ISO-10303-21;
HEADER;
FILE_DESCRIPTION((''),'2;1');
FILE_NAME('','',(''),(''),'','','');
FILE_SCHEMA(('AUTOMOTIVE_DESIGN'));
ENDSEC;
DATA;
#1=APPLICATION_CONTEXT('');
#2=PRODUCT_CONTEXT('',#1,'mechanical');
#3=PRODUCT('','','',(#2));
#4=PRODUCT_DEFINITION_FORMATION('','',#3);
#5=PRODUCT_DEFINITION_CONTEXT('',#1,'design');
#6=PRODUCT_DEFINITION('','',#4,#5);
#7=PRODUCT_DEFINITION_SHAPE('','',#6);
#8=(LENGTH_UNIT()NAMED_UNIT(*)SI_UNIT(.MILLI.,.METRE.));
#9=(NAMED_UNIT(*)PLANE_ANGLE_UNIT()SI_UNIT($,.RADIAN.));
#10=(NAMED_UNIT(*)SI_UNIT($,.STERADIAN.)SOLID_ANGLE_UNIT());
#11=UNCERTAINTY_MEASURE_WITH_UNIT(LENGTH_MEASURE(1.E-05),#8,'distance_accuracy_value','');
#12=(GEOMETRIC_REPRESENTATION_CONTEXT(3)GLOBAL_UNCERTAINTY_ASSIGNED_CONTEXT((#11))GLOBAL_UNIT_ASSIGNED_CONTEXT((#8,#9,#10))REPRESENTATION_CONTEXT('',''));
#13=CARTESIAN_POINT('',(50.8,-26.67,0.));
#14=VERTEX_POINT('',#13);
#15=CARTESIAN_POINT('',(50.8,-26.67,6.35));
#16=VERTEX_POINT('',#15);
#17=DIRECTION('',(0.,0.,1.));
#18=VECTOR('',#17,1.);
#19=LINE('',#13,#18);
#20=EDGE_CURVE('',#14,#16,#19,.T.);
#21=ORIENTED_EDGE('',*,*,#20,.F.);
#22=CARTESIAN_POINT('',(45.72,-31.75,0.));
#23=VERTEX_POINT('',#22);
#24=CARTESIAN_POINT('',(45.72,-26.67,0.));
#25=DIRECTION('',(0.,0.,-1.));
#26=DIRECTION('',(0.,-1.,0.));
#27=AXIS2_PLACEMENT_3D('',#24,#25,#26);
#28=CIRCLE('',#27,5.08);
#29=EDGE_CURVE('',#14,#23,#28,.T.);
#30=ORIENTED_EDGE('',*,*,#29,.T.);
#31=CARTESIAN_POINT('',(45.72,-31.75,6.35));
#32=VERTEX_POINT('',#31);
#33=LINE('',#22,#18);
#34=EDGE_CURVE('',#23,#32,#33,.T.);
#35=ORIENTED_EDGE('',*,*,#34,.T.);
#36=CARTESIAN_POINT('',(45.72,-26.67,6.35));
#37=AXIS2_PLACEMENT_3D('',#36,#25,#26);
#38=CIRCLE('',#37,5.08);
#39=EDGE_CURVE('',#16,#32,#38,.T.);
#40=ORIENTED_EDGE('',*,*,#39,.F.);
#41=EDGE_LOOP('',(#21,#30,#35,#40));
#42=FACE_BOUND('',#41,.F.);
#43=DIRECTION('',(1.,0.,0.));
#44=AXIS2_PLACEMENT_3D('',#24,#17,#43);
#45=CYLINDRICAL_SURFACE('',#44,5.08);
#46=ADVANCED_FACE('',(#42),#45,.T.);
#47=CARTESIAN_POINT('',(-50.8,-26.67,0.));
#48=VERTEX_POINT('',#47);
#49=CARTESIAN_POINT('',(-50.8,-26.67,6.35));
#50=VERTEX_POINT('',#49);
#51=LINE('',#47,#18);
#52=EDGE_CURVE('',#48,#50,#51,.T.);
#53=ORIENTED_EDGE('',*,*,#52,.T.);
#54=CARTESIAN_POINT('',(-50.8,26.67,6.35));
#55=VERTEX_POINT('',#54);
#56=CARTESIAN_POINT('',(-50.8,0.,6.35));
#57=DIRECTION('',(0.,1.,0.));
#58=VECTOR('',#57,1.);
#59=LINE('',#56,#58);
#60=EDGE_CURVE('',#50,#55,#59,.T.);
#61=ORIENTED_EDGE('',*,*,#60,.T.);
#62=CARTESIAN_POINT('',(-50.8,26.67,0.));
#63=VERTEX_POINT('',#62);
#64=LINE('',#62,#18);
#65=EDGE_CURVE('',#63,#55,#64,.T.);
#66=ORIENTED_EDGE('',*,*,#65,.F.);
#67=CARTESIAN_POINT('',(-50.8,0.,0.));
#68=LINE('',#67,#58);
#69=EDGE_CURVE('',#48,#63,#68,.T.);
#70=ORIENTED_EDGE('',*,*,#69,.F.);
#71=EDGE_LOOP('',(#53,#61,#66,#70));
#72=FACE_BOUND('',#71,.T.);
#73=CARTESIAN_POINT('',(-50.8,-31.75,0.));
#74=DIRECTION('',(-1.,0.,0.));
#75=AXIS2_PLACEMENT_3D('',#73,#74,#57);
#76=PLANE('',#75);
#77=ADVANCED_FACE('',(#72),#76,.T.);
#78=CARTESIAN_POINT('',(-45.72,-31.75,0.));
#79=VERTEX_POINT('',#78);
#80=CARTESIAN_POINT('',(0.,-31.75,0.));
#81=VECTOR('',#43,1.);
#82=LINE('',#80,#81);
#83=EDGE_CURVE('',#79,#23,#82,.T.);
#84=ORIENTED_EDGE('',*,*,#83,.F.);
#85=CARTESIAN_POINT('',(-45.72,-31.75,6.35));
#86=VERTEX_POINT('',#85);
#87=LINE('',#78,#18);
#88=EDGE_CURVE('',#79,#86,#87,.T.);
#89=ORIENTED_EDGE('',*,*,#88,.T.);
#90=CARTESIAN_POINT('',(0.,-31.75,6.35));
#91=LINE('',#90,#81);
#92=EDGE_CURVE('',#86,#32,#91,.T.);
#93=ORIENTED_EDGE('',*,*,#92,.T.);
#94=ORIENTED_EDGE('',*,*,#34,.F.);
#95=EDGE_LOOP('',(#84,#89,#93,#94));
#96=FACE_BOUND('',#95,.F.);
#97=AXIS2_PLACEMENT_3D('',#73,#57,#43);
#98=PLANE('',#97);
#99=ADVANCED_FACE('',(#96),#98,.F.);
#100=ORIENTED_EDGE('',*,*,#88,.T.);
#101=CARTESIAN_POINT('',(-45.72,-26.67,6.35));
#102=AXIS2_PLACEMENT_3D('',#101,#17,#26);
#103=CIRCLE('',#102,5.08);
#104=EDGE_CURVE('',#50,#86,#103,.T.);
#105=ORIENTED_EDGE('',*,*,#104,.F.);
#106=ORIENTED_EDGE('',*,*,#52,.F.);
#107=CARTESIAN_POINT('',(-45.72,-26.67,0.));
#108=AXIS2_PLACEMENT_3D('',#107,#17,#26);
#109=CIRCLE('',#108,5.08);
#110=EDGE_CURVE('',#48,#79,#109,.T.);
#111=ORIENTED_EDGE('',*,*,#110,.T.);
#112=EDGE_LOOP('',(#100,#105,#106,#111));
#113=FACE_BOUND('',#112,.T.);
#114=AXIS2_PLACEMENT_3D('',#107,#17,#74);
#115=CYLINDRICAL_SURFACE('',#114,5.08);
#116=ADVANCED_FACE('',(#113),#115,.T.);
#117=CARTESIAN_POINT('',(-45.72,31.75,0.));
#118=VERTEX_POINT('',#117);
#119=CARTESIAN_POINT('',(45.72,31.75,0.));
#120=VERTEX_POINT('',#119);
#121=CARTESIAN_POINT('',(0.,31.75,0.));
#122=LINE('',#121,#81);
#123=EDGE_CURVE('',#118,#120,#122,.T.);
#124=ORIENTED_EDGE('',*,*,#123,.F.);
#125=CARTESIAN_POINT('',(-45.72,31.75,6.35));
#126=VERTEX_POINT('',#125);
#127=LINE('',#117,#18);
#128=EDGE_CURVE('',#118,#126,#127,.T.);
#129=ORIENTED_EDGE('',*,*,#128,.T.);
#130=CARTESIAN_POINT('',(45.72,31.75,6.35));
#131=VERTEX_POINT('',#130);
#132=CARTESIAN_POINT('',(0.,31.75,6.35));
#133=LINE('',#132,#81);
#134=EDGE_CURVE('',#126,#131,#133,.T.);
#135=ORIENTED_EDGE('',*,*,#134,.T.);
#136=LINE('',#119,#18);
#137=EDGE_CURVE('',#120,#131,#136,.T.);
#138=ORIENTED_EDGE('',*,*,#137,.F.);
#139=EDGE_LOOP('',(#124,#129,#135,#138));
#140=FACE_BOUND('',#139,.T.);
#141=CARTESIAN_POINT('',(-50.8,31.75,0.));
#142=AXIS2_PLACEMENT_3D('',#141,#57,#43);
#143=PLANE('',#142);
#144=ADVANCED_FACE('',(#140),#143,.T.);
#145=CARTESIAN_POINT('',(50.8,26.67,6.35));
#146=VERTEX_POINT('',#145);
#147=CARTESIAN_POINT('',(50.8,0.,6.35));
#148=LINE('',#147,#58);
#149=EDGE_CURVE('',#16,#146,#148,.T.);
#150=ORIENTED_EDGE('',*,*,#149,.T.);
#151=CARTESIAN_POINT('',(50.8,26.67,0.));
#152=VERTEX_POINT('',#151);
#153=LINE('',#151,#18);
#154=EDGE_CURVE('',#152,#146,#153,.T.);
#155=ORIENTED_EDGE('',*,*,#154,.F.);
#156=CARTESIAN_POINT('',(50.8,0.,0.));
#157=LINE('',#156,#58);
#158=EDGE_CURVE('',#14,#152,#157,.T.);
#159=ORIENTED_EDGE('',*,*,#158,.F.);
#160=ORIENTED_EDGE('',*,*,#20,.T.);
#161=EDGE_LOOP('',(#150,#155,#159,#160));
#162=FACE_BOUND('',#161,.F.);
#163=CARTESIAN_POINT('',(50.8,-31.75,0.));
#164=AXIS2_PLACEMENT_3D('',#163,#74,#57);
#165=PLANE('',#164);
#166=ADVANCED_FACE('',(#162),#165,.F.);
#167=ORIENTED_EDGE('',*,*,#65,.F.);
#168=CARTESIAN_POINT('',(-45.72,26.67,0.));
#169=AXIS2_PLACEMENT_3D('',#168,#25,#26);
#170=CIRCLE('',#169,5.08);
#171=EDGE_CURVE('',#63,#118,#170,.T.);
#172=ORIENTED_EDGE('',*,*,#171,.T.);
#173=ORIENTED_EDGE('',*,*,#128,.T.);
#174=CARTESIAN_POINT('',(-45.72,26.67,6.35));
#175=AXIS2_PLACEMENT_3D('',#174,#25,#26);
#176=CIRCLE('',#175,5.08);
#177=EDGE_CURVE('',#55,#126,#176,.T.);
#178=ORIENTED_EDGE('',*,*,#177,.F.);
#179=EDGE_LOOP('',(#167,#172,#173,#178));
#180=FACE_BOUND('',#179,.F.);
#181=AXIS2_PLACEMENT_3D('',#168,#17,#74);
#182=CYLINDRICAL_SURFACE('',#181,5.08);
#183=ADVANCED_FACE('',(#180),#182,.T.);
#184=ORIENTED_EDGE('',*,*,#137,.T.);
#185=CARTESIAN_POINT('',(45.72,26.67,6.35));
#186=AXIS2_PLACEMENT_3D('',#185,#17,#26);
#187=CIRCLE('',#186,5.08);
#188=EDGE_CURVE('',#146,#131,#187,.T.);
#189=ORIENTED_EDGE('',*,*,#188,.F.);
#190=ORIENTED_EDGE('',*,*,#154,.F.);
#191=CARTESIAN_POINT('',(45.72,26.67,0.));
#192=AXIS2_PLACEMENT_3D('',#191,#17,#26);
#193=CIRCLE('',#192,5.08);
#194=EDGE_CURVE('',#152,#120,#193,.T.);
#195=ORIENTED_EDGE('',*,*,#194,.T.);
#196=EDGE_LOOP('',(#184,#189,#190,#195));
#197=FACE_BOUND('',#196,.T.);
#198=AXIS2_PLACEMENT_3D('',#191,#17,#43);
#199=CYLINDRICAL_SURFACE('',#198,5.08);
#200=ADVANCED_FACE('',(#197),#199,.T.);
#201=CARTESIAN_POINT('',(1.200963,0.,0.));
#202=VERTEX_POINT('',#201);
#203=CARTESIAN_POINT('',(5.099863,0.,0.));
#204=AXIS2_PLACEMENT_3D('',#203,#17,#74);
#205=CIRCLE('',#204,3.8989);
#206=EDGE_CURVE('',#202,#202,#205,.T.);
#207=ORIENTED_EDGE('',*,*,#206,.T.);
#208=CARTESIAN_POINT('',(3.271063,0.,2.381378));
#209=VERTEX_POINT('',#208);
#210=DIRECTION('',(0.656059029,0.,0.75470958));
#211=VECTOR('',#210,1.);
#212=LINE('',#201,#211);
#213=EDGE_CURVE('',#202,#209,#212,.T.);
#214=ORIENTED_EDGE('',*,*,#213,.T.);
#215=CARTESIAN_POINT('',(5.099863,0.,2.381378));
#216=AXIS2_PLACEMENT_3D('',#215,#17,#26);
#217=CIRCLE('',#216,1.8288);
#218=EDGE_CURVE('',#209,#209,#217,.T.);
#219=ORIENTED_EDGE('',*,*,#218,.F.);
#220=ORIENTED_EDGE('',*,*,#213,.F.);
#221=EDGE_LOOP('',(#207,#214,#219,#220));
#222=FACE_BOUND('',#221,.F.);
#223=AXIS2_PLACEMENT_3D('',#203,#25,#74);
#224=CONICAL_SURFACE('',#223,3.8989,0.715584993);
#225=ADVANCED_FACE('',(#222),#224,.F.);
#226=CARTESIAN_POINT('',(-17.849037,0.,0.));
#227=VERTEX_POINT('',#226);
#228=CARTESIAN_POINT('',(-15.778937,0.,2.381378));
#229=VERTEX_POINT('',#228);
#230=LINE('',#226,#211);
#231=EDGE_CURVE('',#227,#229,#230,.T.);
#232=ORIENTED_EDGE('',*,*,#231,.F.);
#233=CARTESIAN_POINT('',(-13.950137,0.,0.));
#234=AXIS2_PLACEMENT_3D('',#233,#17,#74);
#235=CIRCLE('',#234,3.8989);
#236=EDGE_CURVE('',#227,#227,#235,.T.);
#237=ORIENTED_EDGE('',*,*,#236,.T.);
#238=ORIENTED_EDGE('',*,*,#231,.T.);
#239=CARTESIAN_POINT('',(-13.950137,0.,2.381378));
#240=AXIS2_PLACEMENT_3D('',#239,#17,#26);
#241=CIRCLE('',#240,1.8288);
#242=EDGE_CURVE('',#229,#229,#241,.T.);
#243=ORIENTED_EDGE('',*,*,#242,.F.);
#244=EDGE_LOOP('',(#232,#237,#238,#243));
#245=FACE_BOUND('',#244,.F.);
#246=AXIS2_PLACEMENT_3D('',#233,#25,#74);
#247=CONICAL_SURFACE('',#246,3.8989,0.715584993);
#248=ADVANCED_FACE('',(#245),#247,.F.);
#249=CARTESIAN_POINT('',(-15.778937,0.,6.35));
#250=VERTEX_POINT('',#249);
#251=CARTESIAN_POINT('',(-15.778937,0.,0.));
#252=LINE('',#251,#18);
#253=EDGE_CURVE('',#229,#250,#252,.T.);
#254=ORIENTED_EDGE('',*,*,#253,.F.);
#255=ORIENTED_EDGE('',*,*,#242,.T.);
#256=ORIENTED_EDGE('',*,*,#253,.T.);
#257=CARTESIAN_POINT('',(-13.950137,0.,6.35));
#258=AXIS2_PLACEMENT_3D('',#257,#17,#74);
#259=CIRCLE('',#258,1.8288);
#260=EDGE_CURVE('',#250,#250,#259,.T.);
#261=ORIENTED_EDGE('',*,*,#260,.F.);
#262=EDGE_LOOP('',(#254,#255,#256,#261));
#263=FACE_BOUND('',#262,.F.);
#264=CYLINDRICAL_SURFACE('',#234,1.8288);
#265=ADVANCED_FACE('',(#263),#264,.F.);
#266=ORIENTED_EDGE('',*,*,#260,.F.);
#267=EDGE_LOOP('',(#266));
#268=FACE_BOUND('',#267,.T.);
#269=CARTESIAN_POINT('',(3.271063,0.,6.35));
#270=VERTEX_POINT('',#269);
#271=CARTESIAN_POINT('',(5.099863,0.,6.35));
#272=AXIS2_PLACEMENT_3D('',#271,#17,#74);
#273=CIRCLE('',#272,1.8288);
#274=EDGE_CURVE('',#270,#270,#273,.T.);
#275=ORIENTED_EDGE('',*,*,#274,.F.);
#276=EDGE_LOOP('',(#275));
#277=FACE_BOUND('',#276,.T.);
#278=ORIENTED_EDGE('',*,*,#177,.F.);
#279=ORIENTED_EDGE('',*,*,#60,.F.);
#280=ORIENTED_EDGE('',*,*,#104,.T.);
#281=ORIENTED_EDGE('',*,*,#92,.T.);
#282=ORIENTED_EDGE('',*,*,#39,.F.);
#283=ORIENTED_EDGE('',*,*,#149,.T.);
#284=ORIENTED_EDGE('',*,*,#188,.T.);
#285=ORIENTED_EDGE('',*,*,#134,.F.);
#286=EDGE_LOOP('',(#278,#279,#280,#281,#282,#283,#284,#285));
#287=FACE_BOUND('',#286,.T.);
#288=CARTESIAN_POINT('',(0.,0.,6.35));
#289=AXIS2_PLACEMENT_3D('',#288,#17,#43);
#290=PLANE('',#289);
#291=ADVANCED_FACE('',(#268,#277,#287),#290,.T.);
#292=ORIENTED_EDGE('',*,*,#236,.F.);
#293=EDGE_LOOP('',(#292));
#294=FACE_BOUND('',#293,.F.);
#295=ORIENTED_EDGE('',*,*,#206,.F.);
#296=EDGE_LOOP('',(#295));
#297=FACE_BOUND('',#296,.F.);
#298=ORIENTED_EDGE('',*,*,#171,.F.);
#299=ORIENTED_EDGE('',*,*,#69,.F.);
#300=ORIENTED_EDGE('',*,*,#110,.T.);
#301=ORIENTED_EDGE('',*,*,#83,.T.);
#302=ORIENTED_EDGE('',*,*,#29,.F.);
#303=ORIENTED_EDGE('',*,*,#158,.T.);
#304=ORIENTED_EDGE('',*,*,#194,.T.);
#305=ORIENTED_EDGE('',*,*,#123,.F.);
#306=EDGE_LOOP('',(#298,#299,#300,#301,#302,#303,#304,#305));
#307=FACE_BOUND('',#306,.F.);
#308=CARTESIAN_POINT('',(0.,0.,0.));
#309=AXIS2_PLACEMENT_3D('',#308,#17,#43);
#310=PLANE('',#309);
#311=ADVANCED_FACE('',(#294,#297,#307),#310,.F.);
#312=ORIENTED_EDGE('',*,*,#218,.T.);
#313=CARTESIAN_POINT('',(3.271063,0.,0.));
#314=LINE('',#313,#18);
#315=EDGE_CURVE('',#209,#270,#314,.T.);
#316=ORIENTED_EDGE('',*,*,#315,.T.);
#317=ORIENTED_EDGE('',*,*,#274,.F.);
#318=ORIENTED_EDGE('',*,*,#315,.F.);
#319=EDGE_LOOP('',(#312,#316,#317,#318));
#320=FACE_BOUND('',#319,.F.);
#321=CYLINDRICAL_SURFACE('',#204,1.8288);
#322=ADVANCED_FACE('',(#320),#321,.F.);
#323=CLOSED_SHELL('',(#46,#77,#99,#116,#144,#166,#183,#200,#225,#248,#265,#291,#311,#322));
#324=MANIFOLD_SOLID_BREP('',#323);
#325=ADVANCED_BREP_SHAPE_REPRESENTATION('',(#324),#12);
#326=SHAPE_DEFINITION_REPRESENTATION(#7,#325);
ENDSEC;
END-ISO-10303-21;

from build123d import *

# Parameters (mm, degrees)
F0_W           = 101.6
F0_H           = 63.5
F1_DEPTH       = 6.35
F2_D           = 3.6576
F2_CSINK_D     = 7.7978
F2_CSINK_ANGLE = 82
F3_R           = 5.08


with BuildPart() as f1:
    # F0 (on Top) → F1 (new body)
    with BuildSketch(Plane.XY):
        Rectangle(F0_W, F0_H)
    extrude(amount=F1_DEPTH)

    # F2 (through all)
    with Locations(Plane(origin=(0, 0, 0), x_dir=(1, 0, 0), z_dir=(0, 0, -1))):
        with Locations((-13.9501372, 0), (5.0998628, 0)):
            CounterSinkHole(F2_D / 2, F2_CSINK_D / 2, counter_sink_angle=F2_CSINK_ANGLE)

    # F3
    f3_edges = [f1.edges().sort_by_distance(p)[0] for p in [
        (-50.8, -31.75, 3.175),
        (-50.8, 31.75, 3.175),
        (50.8, -31.75, 3.175),
        (50.8, 31.75, 3.175),
    ]]
    fillet(f3_edges, radius=F3_R)


solid = f1.part
